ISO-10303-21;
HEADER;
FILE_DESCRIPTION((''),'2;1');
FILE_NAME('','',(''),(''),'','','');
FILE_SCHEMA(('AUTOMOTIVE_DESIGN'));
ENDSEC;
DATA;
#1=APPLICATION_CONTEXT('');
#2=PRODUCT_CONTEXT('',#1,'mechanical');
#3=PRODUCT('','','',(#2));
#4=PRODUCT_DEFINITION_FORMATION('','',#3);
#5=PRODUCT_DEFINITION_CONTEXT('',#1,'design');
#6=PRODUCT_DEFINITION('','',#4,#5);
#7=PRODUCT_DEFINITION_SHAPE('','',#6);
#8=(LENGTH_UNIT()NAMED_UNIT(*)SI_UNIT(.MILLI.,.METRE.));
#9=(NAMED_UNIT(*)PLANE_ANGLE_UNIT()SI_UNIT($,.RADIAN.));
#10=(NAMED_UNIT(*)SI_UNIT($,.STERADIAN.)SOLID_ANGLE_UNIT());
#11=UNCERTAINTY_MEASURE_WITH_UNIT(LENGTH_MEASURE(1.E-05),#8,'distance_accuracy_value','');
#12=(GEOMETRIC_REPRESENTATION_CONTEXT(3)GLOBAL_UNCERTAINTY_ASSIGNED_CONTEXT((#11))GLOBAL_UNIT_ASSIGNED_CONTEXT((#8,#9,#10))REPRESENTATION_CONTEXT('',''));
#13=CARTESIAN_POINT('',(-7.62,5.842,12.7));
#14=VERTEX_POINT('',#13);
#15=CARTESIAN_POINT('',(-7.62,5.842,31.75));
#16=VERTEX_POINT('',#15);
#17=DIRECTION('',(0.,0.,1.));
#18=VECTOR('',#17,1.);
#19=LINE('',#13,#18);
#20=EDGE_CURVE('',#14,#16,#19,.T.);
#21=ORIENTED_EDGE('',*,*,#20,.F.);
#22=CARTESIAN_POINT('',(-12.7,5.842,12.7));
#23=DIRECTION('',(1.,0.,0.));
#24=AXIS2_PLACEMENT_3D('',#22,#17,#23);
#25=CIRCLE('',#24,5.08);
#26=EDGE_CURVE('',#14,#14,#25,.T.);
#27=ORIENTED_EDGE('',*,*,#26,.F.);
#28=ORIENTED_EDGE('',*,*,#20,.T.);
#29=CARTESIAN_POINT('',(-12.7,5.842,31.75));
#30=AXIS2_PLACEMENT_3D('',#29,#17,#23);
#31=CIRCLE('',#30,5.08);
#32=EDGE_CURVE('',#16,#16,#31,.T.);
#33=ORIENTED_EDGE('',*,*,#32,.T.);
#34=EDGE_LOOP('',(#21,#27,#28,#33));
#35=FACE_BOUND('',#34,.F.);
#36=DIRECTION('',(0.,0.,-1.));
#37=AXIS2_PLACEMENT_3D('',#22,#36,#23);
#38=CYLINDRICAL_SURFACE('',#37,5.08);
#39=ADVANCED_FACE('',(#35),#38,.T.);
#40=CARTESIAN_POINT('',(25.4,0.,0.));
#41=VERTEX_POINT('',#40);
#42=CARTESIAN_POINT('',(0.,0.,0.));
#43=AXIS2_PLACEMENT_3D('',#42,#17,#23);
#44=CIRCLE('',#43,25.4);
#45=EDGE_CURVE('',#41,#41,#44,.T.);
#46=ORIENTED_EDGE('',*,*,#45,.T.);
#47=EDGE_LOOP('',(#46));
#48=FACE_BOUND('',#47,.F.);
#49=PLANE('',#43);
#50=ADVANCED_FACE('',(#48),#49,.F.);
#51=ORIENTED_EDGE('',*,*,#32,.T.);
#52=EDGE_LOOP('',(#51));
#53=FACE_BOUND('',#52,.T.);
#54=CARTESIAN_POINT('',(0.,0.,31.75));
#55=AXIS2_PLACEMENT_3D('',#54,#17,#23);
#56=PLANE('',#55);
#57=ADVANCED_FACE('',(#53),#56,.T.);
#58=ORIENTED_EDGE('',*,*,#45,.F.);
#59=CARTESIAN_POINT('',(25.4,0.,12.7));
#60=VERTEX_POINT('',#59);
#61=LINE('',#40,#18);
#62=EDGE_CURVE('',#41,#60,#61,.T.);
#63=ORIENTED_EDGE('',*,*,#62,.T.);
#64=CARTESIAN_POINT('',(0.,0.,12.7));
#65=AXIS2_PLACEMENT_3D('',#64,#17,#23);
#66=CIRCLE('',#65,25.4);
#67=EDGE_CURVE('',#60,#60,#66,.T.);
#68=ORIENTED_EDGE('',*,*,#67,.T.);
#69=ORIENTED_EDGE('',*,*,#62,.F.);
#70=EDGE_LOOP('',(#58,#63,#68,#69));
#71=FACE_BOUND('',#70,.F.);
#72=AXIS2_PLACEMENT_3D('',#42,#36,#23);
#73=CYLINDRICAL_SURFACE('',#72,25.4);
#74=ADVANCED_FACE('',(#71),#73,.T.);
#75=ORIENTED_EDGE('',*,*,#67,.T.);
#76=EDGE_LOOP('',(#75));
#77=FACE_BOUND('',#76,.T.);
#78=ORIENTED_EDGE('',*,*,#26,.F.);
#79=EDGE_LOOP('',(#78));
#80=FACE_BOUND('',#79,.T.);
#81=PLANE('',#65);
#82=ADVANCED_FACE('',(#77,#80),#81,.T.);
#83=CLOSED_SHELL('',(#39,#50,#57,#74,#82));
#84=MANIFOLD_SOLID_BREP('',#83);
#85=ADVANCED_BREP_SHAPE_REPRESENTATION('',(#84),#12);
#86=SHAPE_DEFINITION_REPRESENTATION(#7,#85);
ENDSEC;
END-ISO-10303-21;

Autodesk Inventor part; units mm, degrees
ref_plane "YZ Plane" through (0, 0, 0) normal (1, 0, 0) x (0, 1, 0)
ref_plane "XZ Plane" through (0, 0, 0) normal (0, 1, 0) x (-1, 0, 0)
ref_plane "XY Plane" through (0, 0, 0) normal (0, 0, 1) x (1, 0, 0)
sketch "Sketch1" plane through (0, 0, 0) normal (0, 0, 1) x (1, 0, 0)
  circle A0 centre (0, 0) radius 25.4
  dimension "d0" = 50.8
extrude "Extrusion1" add sketch "Sketch1" along normal blind 12.7
sketch "Sketch2" plane through (0, 0, 12.7) normal (0, 0, 1) x (1, 0, 0)
  circle A0 centre (0, 0) radius 25.4 projected
  circle A1 centre (-12.7, 5.842) radius 5.08
  dimension "d3" = 10.16
  dimension "d4" = 12.7
  dimension "d5" = 5.842
extrude "Extrusion2" add sketch "Sketch2" along normal blind 19.05 contours A1
properties part number "crank"
